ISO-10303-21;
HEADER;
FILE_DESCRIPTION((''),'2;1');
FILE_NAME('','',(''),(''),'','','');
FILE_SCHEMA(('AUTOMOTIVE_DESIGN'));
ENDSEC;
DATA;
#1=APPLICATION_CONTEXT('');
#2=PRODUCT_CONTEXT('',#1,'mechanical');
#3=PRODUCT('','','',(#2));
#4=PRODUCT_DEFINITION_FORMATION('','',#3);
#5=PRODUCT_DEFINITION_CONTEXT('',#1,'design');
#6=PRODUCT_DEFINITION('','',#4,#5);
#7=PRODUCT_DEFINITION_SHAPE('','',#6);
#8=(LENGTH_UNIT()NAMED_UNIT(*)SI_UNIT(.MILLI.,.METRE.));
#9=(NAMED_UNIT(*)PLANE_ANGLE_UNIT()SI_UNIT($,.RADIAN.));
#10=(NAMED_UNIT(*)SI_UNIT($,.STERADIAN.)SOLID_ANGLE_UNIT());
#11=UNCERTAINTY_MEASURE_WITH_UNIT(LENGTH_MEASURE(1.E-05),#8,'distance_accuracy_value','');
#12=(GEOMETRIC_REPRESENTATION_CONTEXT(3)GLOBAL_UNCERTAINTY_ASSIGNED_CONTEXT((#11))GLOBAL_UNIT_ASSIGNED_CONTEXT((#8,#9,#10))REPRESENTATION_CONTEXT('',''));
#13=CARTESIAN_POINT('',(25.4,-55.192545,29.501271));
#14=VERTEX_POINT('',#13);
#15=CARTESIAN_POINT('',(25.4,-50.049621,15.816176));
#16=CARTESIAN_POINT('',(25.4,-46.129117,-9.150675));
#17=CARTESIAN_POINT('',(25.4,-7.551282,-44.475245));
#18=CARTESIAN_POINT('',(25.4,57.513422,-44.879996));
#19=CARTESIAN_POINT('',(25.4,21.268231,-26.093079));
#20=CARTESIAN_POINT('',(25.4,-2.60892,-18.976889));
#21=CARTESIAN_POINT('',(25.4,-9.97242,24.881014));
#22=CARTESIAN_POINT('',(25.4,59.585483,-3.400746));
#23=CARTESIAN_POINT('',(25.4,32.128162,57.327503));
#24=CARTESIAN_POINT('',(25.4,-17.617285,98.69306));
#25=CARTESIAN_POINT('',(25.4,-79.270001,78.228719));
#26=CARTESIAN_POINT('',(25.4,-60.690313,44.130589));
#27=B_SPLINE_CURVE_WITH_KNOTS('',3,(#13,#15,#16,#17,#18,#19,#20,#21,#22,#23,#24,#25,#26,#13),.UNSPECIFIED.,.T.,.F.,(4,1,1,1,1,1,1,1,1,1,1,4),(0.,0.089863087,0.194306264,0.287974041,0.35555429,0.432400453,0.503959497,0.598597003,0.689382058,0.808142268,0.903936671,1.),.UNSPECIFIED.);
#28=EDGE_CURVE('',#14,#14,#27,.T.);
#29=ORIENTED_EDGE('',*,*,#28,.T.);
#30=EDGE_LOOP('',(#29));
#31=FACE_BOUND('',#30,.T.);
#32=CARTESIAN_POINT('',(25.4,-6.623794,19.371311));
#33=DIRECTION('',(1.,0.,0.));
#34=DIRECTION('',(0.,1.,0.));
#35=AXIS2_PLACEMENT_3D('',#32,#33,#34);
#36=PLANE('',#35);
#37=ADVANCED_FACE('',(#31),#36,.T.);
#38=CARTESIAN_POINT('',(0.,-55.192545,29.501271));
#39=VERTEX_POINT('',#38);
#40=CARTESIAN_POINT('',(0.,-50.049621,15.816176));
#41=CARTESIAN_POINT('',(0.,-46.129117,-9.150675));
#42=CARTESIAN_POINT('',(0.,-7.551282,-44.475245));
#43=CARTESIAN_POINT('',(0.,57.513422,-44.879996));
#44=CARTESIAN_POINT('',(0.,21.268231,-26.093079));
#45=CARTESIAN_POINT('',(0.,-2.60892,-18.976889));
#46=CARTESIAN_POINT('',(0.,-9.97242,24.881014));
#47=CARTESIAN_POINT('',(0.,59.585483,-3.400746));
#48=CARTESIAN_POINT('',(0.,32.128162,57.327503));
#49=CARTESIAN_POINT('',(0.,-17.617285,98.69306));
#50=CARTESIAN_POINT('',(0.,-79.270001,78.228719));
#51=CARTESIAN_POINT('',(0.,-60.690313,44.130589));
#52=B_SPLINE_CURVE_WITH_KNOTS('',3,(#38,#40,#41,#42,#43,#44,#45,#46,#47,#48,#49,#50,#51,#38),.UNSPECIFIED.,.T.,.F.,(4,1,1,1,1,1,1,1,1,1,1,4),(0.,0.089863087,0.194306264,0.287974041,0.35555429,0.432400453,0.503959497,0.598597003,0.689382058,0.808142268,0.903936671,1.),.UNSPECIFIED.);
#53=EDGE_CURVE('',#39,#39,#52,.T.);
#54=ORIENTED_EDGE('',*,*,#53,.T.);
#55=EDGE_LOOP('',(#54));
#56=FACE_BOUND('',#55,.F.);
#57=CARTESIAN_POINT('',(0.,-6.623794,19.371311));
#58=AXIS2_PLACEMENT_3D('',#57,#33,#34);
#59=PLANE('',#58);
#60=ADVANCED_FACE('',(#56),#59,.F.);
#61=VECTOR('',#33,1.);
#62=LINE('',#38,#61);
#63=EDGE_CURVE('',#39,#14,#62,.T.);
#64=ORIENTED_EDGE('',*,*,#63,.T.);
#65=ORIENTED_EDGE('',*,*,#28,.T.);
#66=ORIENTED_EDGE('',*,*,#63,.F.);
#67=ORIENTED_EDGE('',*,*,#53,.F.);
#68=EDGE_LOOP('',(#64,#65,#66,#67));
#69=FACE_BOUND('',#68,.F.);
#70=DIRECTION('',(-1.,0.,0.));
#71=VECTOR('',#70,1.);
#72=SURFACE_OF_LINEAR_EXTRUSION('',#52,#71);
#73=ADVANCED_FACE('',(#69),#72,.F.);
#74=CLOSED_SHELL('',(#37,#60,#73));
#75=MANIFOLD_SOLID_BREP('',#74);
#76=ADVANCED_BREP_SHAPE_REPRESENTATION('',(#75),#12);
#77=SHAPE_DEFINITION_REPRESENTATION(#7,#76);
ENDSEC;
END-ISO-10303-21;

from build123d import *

# Parameters (mm, degrees)
F1_DEPTH = 25.4


with BuildPart() as f1:
    # F0 (on Right) → F1 (new body)
    with BuildSketch(Plane.YZ):
        with BuildLine():
            add(Edge.make_bspline(
                [(-55.1925450563, 29.5012705028), (-50.0496212911, 15.8161763908), (-46.1291171911, -9.1506750814), (-7.5512816264, -44.4752453949), (57.5134220553, -44.8799961666), (21.2682312137, -26.0930794712), (-2.6089202299, -18.9768890906), (-9.9724198766, 24.8810137706), (59.5854832738, -3.400746014), (32.1281615703, 57.3275030708), (-17.6172847521, 98.6930598522), (-79.2700010809, 78.228719077), (-60.6903127403, 44.1305886875), (-55.1925450563, 29.5012705028)],
                knots=[0, 0, 0, 0, 0.0898630871, 0.1943062643, 0.2879740413, 0.3555542902, 0.4324004533, 0.5039594966, 0.5985970026, 0.6893820577, 0.8081422682, 0.9039366713, 1, 1, 1, 1], degree=3))
        make_face()
    extrude(amount=F1_DEPTH)


solid = f1.part
